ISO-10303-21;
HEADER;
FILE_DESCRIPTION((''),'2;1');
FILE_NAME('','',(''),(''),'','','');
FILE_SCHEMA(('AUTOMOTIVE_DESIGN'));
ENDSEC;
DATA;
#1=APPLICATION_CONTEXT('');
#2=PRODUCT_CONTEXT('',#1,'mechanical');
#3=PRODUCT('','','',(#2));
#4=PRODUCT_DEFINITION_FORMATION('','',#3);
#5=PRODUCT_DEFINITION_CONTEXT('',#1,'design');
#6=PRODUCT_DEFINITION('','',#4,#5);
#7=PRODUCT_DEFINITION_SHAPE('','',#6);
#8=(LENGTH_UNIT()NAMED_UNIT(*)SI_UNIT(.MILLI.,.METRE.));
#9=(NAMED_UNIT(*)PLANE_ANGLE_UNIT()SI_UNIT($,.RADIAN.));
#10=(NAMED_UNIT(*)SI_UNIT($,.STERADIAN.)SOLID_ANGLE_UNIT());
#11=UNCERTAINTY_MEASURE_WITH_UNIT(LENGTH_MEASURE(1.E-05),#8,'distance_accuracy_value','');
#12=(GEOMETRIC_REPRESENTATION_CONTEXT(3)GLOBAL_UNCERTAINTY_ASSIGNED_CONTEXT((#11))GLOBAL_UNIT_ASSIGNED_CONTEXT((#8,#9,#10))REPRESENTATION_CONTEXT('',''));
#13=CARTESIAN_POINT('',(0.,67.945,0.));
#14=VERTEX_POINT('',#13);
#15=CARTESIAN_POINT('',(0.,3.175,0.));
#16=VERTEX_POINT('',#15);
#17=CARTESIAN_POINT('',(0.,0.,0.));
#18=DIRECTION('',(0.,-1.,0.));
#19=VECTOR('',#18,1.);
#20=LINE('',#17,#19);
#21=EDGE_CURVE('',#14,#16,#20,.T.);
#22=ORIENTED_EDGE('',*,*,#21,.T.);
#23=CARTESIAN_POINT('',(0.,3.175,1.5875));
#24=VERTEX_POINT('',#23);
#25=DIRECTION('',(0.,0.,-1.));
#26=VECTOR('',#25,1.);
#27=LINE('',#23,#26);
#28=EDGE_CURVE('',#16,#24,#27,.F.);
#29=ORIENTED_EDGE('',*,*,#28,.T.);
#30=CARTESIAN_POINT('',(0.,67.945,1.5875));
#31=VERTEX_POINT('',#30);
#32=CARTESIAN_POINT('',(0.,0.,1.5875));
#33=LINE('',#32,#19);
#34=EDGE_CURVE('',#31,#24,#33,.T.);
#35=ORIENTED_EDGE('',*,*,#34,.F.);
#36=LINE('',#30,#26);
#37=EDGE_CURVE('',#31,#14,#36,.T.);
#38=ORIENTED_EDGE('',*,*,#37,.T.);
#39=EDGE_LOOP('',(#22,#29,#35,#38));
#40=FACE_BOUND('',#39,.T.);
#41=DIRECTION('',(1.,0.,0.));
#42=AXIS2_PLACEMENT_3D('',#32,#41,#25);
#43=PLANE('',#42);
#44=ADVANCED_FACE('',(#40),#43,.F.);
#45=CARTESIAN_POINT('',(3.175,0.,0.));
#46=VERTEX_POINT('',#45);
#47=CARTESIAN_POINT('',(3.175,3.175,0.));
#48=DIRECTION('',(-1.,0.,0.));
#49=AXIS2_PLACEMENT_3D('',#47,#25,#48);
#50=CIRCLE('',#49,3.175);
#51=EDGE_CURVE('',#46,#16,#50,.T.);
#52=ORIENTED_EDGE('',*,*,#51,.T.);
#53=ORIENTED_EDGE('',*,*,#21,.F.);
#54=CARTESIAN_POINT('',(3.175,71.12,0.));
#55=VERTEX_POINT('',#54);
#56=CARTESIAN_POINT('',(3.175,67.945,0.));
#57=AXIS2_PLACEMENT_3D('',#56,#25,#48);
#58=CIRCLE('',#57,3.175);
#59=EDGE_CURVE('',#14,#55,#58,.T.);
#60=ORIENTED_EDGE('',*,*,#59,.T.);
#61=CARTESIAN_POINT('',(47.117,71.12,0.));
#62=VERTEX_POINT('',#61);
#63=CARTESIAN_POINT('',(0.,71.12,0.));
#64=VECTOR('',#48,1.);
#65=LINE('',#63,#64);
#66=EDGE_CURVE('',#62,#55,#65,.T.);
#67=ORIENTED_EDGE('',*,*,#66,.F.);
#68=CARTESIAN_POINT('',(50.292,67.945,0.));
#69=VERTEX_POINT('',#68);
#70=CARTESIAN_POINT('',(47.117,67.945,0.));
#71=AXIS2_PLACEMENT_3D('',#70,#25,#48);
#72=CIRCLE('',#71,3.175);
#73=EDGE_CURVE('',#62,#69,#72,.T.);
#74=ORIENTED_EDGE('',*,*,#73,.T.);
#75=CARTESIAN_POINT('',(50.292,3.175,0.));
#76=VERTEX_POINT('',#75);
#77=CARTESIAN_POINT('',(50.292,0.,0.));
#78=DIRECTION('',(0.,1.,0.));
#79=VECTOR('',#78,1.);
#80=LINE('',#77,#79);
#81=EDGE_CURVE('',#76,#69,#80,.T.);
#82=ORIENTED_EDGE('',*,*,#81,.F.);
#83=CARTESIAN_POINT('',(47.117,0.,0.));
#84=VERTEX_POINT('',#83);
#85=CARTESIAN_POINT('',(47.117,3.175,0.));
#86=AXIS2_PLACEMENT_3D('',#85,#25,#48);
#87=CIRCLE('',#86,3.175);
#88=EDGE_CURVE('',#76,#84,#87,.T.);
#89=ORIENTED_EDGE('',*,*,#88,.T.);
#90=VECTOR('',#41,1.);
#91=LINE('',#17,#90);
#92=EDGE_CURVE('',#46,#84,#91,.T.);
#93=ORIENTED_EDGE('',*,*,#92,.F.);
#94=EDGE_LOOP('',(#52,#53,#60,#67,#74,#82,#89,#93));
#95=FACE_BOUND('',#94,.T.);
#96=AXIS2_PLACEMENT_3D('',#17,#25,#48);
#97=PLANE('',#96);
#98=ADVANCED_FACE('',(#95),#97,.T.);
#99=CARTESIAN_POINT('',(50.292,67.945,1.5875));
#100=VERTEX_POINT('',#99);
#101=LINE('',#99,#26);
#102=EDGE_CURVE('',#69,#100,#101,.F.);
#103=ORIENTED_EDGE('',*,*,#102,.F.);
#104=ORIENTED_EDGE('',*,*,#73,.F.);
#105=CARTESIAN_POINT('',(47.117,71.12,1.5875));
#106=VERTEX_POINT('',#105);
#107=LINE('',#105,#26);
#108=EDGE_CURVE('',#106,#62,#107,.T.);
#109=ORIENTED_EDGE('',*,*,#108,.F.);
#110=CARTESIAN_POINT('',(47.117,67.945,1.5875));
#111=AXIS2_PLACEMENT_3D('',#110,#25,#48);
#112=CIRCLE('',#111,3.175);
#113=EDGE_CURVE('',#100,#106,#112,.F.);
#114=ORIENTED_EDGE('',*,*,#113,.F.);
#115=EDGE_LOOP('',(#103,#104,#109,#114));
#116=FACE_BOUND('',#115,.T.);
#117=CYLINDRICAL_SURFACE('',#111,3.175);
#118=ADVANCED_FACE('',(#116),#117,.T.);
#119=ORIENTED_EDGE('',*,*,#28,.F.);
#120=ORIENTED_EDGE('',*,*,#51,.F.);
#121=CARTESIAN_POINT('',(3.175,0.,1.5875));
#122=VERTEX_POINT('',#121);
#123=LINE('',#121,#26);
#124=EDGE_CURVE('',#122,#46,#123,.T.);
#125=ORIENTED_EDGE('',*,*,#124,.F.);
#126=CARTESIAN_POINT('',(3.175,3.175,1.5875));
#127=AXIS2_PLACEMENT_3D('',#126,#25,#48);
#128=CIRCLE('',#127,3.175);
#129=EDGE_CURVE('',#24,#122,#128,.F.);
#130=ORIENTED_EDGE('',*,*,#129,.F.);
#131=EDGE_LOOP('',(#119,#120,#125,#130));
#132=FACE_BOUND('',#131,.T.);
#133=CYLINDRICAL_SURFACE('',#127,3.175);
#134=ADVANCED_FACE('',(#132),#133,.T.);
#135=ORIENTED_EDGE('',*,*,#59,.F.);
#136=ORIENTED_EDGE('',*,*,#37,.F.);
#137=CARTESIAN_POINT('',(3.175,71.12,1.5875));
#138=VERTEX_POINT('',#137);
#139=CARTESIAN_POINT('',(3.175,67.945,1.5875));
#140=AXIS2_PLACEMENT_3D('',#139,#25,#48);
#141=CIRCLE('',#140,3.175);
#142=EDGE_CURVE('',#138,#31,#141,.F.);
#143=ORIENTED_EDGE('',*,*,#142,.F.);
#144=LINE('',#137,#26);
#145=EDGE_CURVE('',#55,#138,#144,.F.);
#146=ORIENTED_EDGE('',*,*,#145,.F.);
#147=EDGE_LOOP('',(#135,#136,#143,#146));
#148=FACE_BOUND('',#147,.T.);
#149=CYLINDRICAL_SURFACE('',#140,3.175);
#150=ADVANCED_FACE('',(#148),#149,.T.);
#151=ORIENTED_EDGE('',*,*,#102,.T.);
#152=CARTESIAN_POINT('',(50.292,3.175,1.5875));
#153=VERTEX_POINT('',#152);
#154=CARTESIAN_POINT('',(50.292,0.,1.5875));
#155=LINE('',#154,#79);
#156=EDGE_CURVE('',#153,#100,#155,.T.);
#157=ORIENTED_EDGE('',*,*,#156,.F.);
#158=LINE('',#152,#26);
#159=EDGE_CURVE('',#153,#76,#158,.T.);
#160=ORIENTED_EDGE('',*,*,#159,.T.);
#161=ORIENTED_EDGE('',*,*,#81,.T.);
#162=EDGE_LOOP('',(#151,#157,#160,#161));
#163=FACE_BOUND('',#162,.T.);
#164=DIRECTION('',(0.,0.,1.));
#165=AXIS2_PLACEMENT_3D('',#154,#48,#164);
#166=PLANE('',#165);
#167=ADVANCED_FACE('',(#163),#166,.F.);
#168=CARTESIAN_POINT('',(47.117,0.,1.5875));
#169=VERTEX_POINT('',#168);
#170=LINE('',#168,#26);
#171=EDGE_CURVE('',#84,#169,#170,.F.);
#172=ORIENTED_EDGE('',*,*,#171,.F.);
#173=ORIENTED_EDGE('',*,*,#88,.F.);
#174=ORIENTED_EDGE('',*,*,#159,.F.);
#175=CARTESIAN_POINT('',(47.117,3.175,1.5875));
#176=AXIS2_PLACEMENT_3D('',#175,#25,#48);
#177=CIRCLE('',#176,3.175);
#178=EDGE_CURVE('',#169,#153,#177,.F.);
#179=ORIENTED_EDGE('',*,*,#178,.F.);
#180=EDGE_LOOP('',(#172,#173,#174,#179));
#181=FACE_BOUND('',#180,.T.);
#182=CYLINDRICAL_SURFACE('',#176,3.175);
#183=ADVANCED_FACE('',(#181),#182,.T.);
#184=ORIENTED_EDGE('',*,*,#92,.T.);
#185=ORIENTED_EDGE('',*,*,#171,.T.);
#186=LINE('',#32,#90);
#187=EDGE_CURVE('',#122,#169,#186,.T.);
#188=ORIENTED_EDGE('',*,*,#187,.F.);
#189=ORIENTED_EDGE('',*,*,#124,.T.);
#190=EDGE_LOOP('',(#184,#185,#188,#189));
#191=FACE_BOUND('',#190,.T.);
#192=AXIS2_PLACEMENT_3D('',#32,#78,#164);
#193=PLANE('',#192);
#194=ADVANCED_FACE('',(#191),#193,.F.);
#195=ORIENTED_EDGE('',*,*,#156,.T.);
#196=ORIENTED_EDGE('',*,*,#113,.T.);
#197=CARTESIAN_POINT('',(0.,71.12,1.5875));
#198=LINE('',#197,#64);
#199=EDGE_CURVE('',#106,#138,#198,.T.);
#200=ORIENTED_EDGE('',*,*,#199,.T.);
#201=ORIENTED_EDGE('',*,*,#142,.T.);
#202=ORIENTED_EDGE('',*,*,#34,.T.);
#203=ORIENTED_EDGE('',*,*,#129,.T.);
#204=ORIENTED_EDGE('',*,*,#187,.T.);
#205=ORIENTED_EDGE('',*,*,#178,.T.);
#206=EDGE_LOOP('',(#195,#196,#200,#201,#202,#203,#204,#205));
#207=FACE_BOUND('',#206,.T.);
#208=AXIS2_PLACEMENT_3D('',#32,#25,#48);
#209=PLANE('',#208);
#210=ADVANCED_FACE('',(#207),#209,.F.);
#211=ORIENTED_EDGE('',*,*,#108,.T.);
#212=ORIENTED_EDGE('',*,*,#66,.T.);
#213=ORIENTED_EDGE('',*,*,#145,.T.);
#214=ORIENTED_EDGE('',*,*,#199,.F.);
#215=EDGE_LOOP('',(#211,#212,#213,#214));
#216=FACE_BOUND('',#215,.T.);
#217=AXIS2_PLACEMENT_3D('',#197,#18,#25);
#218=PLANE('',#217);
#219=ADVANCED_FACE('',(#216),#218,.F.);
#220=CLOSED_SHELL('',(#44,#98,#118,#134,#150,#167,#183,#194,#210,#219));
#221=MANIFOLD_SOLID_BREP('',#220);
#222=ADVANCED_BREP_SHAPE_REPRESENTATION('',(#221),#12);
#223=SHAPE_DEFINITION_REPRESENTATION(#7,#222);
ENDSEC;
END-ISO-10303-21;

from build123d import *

# Parameters (mm, degrees)
SKETCH1_W           = 50.292
SKETCH1_H           = 71.12
BOSS_EXTRUDE1_DEPTH = 1.5875
FILLET1_R           = 3.175


with BuildPart() as part:
    # Sketch1 → Boss-Extrude1 (new body)
    with BuildSketch(Plane.XY):
        with Locations((25.146, 35.56)):
            Rectangle(SKETCH1_W, SKETCH1_H)
    extrude(amount=BOSS_EXTRUDE1_DEPTH)

    # Fillet1
    fillet1_edges = [part.edges().sort_by_distance(p)[0] for p in [
        (0, 71.12, 0.79375),
        (50.292, 71.12, 0.79375),
        (50.292, 0, 0.79375),
        (0, 0, 0.79375),
    ]]
    fillet(fillet1_edges, radius=FILLET1_R)


solid = part.part
